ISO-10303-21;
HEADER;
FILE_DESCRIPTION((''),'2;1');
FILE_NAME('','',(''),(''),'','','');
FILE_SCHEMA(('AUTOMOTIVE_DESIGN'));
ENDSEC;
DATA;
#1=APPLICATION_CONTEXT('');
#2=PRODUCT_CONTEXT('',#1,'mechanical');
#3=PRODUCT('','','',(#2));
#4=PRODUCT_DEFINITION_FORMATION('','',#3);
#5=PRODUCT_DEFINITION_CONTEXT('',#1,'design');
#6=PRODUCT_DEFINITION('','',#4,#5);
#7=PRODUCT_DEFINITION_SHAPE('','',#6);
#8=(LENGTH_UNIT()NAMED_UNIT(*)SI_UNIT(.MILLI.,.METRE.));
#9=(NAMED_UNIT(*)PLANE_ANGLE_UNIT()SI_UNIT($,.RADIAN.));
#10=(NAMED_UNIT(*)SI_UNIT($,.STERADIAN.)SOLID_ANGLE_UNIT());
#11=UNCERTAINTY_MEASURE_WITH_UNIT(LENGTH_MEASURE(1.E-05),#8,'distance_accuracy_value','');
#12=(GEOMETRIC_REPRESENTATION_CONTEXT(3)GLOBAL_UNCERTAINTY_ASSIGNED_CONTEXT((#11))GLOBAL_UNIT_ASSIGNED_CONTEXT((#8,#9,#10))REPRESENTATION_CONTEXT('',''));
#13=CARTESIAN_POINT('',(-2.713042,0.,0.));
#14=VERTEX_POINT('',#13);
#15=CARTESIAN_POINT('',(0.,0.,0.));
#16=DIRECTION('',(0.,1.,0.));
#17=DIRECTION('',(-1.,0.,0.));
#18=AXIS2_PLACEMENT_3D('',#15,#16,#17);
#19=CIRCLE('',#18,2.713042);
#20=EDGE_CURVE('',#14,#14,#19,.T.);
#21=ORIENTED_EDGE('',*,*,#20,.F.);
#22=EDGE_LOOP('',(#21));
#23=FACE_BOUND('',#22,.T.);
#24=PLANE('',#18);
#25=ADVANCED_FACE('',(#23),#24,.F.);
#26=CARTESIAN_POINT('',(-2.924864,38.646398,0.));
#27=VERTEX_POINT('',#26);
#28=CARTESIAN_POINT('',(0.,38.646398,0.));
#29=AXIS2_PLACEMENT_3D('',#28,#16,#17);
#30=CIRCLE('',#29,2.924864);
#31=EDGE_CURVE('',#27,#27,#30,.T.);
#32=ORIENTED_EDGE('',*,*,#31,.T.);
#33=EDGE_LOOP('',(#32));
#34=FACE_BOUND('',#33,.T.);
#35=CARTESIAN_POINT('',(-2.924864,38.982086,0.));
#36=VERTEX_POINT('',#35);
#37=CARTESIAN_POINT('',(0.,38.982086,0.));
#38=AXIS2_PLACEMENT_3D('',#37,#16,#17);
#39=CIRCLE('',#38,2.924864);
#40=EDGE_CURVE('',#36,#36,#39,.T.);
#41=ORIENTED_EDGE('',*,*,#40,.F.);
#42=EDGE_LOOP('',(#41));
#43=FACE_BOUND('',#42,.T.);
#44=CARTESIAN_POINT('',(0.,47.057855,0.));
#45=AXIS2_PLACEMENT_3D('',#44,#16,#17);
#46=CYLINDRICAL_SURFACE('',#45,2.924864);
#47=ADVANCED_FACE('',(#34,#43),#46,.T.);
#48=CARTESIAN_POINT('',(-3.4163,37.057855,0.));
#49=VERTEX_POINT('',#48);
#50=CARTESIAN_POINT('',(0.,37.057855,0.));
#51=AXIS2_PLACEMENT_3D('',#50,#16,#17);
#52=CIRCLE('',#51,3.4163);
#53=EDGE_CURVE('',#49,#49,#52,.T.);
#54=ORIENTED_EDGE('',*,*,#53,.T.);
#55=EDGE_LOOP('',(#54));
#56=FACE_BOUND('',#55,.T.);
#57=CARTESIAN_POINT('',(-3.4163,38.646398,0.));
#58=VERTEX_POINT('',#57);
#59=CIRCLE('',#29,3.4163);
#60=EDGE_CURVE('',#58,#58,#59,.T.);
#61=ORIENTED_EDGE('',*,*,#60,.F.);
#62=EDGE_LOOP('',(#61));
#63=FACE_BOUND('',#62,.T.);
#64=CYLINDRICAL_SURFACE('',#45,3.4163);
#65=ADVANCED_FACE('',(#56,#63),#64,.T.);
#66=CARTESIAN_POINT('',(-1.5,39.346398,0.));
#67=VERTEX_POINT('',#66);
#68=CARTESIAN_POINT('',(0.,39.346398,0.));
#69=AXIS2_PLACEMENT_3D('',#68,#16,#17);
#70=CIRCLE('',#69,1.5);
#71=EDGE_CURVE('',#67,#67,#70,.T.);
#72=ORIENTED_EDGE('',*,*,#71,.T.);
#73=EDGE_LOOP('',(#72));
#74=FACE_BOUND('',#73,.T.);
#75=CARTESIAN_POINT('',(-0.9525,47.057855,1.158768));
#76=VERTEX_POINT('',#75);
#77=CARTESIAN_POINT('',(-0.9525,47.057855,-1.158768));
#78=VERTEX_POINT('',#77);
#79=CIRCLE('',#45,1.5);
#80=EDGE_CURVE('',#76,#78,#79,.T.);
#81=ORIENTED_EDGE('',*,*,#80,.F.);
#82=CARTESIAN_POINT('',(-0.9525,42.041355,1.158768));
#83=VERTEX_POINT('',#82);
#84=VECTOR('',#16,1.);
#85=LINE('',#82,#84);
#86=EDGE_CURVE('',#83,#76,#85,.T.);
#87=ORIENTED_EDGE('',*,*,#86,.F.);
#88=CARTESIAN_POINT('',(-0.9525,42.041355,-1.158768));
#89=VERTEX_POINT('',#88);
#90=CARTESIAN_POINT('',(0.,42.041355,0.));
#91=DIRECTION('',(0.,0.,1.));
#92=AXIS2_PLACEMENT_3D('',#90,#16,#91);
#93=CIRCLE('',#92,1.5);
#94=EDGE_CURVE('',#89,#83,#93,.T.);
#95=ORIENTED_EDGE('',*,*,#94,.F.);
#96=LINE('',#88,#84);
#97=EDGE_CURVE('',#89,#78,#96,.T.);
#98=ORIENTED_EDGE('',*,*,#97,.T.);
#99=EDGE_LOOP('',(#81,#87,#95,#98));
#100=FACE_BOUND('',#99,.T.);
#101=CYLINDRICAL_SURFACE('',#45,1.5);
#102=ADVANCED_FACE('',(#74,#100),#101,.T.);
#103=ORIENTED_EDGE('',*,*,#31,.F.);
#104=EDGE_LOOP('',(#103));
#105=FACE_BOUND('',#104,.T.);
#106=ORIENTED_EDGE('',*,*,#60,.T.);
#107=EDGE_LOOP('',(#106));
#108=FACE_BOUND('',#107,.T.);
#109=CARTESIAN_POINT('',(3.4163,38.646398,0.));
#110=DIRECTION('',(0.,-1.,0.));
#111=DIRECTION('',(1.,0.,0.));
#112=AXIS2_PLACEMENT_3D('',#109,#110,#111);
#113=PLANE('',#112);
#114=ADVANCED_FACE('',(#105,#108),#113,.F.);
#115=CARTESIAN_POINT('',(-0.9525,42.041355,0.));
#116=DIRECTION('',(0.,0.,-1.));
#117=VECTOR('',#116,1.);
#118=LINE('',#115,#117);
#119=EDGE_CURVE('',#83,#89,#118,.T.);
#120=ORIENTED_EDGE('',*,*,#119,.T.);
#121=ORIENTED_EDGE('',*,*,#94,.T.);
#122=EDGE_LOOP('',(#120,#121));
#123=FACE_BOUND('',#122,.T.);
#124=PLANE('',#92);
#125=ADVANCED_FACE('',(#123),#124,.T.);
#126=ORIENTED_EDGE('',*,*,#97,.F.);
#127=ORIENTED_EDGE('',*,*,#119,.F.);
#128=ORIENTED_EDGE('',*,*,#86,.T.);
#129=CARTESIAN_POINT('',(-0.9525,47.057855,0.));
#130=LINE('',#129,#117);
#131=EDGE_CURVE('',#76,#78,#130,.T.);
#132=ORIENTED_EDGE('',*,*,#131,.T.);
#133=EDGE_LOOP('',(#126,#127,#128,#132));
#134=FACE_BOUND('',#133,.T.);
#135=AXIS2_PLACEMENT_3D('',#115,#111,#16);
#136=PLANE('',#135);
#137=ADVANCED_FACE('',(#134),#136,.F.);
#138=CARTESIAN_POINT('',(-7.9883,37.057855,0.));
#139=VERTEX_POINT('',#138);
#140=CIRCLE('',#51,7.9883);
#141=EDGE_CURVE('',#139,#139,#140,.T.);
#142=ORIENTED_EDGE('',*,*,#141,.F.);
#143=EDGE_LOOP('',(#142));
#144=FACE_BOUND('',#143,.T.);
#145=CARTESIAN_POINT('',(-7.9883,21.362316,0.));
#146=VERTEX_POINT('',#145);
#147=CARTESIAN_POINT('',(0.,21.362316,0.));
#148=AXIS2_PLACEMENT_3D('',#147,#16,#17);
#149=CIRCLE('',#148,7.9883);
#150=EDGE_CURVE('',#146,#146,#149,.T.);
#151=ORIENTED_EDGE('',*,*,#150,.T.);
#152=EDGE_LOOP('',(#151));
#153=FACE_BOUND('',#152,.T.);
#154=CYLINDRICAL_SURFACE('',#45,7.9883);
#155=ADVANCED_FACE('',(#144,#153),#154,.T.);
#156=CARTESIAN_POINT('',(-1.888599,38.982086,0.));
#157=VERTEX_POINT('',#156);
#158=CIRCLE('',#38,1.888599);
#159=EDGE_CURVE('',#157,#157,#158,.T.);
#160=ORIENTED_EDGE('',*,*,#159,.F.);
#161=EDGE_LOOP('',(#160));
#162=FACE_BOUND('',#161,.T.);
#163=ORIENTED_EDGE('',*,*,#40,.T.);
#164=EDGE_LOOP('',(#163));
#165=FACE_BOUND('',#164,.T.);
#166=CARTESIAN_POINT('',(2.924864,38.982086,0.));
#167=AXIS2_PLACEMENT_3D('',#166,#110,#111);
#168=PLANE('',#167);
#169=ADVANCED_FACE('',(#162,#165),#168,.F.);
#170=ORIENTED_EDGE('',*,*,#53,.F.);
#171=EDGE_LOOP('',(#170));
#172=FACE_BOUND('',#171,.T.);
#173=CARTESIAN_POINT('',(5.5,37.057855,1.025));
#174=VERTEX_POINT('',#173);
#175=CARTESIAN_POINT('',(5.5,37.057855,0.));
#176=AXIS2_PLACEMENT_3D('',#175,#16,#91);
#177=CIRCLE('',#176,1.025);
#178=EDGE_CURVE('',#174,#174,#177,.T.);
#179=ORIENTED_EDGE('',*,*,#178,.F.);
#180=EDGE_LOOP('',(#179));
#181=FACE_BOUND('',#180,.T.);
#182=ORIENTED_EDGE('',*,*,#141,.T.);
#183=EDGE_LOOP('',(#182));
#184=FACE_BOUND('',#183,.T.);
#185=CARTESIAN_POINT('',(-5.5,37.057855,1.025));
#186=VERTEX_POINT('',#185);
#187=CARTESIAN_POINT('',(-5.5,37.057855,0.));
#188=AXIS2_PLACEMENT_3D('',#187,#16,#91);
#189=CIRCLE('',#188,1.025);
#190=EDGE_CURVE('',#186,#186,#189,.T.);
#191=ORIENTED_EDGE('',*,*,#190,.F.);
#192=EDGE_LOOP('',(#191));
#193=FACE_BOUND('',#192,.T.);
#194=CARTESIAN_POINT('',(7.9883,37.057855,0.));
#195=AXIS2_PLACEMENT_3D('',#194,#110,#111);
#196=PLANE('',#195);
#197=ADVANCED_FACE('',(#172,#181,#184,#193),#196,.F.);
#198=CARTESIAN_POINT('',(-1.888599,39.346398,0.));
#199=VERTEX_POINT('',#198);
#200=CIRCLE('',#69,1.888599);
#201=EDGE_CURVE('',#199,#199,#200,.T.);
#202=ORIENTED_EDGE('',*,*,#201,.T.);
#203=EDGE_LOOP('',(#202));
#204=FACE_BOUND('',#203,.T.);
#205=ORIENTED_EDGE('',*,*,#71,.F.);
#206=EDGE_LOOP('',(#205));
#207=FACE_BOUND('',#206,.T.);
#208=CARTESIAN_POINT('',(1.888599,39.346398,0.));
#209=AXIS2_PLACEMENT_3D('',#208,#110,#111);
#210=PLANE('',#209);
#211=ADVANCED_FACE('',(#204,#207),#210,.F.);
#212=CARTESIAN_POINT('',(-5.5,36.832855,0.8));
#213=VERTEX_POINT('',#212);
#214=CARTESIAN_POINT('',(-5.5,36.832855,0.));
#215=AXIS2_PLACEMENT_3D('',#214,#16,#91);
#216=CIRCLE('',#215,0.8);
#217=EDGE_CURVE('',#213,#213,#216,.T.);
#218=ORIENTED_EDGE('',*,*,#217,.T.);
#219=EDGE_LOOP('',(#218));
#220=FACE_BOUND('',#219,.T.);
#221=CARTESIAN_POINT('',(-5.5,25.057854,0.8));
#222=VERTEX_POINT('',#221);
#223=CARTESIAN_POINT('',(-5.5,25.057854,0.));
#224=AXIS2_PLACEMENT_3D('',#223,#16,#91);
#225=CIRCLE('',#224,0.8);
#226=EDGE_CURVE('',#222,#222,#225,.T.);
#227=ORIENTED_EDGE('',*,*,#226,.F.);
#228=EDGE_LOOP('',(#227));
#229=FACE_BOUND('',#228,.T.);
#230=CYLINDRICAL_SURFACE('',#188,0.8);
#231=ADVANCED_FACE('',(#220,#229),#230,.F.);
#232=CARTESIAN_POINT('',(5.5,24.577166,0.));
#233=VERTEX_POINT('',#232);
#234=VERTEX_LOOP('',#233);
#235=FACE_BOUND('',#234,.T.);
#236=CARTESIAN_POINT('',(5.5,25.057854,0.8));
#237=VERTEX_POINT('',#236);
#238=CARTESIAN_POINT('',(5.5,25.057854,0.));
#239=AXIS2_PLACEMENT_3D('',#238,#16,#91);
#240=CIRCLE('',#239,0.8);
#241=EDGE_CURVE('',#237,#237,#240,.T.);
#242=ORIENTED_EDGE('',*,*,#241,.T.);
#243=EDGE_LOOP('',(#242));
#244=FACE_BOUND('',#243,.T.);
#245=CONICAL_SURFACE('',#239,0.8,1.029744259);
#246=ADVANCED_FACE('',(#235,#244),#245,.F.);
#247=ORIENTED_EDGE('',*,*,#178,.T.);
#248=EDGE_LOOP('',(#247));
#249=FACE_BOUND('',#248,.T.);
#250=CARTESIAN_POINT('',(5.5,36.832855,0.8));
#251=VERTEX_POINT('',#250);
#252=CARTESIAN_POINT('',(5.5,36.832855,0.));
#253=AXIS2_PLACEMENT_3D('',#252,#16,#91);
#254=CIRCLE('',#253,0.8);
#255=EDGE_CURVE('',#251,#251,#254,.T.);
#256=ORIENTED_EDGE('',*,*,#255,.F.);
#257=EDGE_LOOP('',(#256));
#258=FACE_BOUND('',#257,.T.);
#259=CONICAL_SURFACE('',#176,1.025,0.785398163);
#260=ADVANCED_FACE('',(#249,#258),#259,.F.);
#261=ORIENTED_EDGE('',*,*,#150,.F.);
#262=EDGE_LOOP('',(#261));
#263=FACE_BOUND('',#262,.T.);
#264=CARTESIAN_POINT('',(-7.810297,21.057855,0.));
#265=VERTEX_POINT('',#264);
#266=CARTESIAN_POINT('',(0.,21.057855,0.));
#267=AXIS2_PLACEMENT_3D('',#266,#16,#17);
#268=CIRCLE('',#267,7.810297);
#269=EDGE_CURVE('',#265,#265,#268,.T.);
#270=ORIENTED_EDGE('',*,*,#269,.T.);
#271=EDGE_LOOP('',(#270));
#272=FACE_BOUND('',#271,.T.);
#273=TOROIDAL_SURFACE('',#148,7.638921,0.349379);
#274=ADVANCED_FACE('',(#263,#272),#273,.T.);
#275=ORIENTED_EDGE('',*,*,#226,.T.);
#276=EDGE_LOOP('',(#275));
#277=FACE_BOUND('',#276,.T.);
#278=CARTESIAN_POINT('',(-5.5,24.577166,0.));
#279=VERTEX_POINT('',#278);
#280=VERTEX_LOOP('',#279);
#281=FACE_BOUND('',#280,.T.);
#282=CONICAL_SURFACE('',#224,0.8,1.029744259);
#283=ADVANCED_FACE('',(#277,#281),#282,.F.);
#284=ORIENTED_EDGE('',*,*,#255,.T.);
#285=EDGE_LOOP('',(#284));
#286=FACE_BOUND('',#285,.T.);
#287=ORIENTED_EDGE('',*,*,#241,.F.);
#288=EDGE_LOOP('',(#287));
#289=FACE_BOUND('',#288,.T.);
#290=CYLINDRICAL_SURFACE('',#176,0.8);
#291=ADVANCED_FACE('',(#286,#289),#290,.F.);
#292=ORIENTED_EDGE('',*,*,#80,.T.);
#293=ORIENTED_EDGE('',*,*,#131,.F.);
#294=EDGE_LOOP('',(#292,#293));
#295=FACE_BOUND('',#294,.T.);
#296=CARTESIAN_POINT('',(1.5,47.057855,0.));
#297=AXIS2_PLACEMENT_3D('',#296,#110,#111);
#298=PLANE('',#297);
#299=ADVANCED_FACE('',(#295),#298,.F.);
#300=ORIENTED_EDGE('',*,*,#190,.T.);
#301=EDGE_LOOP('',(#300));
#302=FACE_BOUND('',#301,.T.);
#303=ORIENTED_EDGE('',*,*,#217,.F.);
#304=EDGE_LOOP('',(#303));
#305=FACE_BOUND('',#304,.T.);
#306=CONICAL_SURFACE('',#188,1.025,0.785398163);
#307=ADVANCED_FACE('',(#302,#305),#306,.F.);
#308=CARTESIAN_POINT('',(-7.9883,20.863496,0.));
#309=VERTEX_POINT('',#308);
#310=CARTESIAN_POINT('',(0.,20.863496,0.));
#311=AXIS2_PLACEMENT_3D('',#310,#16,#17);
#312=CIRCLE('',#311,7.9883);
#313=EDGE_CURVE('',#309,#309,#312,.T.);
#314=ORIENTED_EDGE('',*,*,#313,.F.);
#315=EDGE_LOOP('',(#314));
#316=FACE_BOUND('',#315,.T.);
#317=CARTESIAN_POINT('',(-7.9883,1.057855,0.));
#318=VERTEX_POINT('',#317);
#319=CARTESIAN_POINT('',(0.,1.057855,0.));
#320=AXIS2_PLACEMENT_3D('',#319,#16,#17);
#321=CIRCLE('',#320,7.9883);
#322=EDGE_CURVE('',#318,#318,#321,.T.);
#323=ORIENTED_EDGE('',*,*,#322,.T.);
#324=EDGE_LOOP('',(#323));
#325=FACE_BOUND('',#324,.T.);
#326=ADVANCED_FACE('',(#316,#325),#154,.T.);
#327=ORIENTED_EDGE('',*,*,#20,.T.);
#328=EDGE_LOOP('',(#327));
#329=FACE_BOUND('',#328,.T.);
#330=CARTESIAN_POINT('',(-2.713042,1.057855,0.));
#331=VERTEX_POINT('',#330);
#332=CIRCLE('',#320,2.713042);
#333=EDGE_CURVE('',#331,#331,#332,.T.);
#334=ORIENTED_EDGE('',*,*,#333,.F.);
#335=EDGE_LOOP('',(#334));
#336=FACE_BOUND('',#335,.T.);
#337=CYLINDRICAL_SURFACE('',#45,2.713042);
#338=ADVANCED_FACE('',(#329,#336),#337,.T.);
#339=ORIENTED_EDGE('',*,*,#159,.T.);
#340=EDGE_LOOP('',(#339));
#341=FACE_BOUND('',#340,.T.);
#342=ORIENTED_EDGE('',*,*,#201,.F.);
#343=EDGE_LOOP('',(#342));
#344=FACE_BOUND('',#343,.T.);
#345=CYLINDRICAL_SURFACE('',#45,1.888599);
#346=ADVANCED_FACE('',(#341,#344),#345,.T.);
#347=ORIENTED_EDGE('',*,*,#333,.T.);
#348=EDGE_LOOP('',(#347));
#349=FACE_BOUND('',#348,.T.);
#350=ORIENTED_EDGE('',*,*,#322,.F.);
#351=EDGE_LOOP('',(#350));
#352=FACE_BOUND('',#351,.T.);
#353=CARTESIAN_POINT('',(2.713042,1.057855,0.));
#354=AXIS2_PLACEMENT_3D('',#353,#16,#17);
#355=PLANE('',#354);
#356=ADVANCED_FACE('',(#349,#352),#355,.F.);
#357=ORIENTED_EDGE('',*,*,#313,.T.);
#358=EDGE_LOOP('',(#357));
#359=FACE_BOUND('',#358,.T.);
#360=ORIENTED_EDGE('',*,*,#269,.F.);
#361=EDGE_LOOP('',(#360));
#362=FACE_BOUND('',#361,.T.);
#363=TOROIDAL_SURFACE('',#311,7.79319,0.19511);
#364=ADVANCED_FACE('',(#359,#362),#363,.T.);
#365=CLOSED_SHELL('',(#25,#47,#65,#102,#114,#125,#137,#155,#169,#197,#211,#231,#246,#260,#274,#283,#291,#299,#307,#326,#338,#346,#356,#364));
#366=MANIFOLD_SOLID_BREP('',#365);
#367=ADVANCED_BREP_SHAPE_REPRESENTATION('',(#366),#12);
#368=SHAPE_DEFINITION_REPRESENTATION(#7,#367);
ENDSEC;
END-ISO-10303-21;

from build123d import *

# Parameters (mm, degrees)
M2X0_4_TAPPED_HOLE1_D           = 1.6
M2X0_4_TAPPED_HOLE1_DEPTH       = 12.0000014
M2X0_4_TAPPED_HOLE1_CSINK_D     = 2.05
M2X0_4_TAPPED_HOLE1_CSINK_ANGLE = 90
M2X0_4_TAPPED_HOLE1_TIP         = 0.480688495
CUT_EXTRUDE1_DEPTH              = 5.0165


with BuildPart() as part:
    # Sketch2 → Revolve1 (revolve)
    with BuildSketch(Plane.XY):
        with BuildLine():
            Line((0, 0), (2.713042009, 0))
            Line((2.713042009, 0), (2.713042009, 1.057855461))
            Line((2.713042009, 1.057855461), (7.9883, 1.057855461))
            Line((7.9883, 1.057855461), (7.9883, 20.863496467))
            ThreePointArc((7.9883, 20.863496467), (7.937074629, 20.995273421), (7.810296505, 21.057855461))
            ThreePointArc((7.810296505, 21.057855461), (7.9405339, 21.185977007), (7.9883, 21.362315629))
            Line((7.9883, 21.362315629), (7.9883, 37.057855461))
            Line((7.9883, 37.057855461), (3.4163, 37.057855461))
            Line((3.4163, 37.057855461), (3.4163, 38.64639819))
            Line((3.4163, 38.64639819), (2.924863894, 38.64639819))
            Line((2.924863894, 38.64639819), (2.924863894, 38.982086399))
            Line((2.924863894, 38.982086399), (1.888599244, 38.982086399))
            Line((1.888599244, 38.982086399), (1.888599244, 39.34639819))
            Line((1.888599244, 39.34639819), (1.5, 39.34639819))
            Line((1.5, 39.34639819), (1.5, 47.057855461))
            Line((1.5, 47.057855461), (0, 47.057855461))
            Line((0, 47.057855461), (0, 0))
        make_face()
    revolve(axis=Axis((0, 47.057855461, 0), (0, -1, 0)))

    # M2x0.4 Tapped Hole1
    with Locations(Plane(origin=(0, 37.057855461, 0), x_dir=(1, 0, 0), z_dir=(0, 1, 0))):
        with Locations((-5.5, 0), (5.5, 0)):
            CounterSinkHole(M2X0_4_TAPPED_HOLE1_D / 2, M2X0_4_TAPPED_HOLE1_CSINK_D / 2, depth=M2X0_4_TAPPED_HOLE1_DEPTH, counter_sink_angle=M2X0_4_TAPPED_HOLE1_CSINK_ANGLE)
            with Locations((0, 0, -(M2X0_4_TAPPED_HOLE1_DEPTH + M2X0_4_TAPPED_HOLE1_TIP / 2))):  # 118° drill point
                Cone(0, M2X0_4_TAPPED_HOLE1_D / 2, M2X0_4_TAPPED_HOLE1_TIP, mode=Mode.SUBTRACT)

    # Sketch6 → Cut-Extrude1 (cut)
    with BuildSketch(Plane(origin=(0, 47.057855461, 0), x_dir=(1, 0, 0), z_dir=(0, 1, 0))):
        with BuildLine():
            ThreePointArc((-0.9525, 1.158768204), (-1.5, 0), (-0.9525, -1.158768204))
            Line((-0.9525, -1.158768204), (-0.9525, 1.158768204))
        make_face()
    extrude(amount=-CUT_EXTRUDE1_DEPTH, mode=Mode.SUBTRACT)


solid = part.part
